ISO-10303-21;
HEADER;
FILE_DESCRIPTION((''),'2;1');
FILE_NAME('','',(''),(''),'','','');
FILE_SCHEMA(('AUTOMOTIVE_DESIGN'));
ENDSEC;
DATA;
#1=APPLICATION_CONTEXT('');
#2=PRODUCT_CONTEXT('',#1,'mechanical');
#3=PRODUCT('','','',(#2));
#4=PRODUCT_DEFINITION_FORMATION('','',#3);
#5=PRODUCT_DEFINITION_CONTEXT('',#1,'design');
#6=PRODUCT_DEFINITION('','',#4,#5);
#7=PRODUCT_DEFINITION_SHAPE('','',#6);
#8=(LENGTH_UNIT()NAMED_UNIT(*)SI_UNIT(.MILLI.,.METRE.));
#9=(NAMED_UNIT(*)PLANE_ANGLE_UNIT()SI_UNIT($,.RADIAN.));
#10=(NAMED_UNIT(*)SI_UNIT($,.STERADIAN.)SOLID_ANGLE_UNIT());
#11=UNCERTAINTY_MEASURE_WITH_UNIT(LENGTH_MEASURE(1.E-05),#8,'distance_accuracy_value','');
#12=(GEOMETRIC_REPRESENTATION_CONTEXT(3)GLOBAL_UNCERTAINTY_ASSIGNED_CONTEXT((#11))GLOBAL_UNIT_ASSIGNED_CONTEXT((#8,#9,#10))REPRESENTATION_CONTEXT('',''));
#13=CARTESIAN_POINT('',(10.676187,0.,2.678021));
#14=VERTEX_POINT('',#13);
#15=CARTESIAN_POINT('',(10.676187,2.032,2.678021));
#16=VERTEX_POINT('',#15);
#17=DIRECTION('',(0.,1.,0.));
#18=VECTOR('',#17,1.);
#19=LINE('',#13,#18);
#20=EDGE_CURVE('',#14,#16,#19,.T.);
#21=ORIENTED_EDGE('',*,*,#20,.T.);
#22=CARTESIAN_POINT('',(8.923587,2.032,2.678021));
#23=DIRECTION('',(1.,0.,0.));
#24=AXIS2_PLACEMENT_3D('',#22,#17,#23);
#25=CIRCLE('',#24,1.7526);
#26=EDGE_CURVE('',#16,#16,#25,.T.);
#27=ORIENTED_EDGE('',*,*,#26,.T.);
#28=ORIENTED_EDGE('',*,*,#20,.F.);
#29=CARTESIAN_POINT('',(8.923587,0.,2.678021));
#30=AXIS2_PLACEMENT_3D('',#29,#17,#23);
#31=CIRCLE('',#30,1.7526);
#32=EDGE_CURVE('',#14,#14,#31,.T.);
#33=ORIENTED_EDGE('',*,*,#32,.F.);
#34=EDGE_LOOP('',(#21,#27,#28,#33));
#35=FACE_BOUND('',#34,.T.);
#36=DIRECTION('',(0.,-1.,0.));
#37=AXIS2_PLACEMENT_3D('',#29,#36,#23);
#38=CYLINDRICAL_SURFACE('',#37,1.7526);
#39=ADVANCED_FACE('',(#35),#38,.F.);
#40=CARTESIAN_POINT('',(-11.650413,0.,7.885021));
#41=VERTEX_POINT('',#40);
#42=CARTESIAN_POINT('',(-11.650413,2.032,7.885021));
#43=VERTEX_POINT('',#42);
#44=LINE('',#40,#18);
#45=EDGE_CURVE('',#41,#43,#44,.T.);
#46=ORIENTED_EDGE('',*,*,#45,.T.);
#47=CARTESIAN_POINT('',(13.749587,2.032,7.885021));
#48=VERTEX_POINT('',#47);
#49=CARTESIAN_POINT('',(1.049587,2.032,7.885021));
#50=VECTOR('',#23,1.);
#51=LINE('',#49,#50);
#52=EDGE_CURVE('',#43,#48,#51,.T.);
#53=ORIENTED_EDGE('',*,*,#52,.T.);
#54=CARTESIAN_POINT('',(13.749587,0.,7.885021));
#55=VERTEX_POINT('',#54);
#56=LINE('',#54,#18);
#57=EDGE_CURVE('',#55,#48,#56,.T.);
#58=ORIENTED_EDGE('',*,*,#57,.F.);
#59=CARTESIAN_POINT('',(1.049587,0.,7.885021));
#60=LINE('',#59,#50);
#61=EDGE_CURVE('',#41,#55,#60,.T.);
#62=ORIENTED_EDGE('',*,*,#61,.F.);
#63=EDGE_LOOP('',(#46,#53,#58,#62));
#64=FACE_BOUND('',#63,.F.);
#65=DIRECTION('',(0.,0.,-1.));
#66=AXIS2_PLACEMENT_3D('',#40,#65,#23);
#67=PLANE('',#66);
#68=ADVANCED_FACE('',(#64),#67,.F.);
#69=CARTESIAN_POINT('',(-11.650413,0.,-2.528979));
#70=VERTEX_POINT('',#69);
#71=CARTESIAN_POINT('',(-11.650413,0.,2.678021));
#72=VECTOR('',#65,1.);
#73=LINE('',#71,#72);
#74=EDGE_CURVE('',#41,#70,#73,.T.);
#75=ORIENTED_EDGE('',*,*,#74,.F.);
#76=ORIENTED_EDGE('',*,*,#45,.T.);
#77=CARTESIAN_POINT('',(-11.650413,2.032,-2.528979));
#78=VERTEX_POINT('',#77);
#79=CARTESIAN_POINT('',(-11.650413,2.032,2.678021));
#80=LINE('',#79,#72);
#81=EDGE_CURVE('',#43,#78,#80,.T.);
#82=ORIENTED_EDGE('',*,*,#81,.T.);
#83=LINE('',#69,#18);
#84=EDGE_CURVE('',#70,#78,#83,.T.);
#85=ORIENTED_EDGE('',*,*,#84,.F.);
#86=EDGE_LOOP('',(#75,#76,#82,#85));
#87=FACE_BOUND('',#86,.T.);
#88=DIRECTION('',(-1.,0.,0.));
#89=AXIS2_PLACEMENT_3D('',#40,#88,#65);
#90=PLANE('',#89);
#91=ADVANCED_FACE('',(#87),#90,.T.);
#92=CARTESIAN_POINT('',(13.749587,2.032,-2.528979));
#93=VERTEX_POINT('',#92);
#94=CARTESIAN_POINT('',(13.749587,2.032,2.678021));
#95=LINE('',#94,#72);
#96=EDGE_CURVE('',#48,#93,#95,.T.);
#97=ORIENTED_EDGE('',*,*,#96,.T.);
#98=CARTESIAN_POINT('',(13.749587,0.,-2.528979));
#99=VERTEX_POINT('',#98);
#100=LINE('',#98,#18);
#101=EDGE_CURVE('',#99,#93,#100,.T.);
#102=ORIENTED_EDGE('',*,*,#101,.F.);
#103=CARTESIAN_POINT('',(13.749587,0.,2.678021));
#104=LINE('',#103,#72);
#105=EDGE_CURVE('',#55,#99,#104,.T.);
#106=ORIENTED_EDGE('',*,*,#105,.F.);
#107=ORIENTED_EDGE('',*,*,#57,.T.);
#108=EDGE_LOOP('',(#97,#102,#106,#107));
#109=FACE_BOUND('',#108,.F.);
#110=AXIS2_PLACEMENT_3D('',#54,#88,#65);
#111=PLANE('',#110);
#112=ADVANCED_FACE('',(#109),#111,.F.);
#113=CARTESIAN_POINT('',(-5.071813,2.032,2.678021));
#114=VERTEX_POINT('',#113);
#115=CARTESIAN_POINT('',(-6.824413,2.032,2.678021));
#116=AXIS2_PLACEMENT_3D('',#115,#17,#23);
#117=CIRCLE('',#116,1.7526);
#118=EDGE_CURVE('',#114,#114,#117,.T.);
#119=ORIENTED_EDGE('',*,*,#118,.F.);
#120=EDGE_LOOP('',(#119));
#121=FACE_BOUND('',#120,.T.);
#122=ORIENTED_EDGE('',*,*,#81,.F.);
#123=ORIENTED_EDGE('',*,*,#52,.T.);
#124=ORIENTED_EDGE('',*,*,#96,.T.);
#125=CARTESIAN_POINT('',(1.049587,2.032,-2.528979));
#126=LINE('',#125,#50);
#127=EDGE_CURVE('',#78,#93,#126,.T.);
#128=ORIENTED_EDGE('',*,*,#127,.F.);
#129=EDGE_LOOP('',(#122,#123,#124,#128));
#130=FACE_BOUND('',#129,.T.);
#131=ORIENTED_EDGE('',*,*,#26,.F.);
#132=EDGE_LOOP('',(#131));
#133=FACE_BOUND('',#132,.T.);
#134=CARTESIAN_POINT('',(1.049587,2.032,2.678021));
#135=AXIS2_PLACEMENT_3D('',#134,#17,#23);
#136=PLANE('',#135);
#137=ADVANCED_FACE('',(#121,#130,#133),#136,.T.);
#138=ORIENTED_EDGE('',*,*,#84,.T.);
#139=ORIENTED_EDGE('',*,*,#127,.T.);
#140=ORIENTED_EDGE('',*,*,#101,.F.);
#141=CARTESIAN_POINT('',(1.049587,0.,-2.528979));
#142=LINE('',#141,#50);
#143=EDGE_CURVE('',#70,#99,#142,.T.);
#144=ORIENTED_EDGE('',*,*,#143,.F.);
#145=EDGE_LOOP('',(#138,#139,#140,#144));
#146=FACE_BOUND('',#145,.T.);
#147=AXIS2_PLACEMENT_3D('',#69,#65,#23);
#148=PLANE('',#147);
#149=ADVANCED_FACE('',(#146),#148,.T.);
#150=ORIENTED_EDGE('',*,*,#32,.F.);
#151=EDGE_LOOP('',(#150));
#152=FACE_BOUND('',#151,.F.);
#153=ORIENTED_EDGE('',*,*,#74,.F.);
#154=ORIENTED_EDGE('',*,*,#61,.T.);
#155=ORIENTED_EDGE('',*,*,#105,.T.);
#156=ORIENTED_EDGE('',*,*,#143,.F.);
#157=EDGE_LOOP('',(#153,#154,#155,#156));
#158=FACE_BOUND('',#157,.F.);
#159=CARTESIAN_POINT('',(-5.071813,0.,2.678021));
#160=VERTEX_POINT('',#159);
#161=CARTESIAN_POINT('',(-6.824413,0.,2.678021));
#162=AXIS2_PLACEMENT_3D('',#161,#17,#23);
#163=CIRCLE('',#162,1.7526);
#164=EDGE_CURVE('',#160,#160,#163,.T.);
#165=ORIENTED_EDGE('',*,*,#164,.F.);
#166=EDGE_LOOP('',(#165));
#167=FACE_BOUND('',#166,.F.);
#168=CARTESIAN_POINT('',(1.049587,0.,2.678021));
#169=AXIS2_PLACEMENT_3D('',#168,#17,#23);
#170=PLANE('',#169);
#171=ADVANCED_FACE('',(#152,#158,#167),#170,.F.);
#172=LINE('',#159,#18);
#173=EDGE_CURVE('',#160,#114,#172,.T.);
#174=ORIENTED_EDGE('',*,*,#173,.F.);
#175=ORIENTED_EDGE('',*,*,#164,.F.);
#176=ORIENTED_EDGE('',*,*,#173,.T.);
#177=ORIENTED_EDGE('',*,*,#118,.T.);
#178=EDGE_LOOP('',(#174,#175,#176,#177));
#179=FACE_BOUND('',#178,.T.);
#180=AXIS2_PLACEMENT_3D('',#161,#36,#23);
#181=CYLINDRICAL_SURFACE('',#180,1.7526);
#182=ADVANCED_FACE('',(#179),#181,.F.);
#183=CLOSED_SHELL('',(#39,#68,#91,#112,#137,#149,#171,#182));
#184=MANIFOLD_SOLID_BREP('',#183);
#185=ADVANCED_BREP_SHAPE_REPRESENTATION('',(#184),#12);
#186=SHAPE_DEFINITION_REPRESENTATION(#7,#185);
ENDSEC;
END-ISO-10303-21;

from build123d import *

# Parameters (mm, degrees)
SKETCH1_W           = 25.4
SKETCH1_H           = 10.414
SKETCH1_R           = 1.7526
BOSS_EXTRUDE1_DEPTH = 2.032


with BuildPart() as part:
    # Sketch1 → Boss-Extrude1 (new body)
    with BuildSketch(Plane(origin=(0, 0, 0), x_dir=(1, 0, 0), z_dir=(0, 1, 0))):
        with Locations((1.049586777, -2.678020661)):
            Rectangle(SKETCH1_W, SKETCH1_H)
        with Locations((-6.824413223, -2.678020661)):
            Circle(SKETCH1_R, mode=Mode.SUBTRACT)
        with Locations((8.923586777, -2.678020661)):
            Circle(SKETCH1_R, mode=Mode.SUBTRACT)
    extrude(amount=BOSS_EXTRUDE1_DEPTH)


solid = part.part
